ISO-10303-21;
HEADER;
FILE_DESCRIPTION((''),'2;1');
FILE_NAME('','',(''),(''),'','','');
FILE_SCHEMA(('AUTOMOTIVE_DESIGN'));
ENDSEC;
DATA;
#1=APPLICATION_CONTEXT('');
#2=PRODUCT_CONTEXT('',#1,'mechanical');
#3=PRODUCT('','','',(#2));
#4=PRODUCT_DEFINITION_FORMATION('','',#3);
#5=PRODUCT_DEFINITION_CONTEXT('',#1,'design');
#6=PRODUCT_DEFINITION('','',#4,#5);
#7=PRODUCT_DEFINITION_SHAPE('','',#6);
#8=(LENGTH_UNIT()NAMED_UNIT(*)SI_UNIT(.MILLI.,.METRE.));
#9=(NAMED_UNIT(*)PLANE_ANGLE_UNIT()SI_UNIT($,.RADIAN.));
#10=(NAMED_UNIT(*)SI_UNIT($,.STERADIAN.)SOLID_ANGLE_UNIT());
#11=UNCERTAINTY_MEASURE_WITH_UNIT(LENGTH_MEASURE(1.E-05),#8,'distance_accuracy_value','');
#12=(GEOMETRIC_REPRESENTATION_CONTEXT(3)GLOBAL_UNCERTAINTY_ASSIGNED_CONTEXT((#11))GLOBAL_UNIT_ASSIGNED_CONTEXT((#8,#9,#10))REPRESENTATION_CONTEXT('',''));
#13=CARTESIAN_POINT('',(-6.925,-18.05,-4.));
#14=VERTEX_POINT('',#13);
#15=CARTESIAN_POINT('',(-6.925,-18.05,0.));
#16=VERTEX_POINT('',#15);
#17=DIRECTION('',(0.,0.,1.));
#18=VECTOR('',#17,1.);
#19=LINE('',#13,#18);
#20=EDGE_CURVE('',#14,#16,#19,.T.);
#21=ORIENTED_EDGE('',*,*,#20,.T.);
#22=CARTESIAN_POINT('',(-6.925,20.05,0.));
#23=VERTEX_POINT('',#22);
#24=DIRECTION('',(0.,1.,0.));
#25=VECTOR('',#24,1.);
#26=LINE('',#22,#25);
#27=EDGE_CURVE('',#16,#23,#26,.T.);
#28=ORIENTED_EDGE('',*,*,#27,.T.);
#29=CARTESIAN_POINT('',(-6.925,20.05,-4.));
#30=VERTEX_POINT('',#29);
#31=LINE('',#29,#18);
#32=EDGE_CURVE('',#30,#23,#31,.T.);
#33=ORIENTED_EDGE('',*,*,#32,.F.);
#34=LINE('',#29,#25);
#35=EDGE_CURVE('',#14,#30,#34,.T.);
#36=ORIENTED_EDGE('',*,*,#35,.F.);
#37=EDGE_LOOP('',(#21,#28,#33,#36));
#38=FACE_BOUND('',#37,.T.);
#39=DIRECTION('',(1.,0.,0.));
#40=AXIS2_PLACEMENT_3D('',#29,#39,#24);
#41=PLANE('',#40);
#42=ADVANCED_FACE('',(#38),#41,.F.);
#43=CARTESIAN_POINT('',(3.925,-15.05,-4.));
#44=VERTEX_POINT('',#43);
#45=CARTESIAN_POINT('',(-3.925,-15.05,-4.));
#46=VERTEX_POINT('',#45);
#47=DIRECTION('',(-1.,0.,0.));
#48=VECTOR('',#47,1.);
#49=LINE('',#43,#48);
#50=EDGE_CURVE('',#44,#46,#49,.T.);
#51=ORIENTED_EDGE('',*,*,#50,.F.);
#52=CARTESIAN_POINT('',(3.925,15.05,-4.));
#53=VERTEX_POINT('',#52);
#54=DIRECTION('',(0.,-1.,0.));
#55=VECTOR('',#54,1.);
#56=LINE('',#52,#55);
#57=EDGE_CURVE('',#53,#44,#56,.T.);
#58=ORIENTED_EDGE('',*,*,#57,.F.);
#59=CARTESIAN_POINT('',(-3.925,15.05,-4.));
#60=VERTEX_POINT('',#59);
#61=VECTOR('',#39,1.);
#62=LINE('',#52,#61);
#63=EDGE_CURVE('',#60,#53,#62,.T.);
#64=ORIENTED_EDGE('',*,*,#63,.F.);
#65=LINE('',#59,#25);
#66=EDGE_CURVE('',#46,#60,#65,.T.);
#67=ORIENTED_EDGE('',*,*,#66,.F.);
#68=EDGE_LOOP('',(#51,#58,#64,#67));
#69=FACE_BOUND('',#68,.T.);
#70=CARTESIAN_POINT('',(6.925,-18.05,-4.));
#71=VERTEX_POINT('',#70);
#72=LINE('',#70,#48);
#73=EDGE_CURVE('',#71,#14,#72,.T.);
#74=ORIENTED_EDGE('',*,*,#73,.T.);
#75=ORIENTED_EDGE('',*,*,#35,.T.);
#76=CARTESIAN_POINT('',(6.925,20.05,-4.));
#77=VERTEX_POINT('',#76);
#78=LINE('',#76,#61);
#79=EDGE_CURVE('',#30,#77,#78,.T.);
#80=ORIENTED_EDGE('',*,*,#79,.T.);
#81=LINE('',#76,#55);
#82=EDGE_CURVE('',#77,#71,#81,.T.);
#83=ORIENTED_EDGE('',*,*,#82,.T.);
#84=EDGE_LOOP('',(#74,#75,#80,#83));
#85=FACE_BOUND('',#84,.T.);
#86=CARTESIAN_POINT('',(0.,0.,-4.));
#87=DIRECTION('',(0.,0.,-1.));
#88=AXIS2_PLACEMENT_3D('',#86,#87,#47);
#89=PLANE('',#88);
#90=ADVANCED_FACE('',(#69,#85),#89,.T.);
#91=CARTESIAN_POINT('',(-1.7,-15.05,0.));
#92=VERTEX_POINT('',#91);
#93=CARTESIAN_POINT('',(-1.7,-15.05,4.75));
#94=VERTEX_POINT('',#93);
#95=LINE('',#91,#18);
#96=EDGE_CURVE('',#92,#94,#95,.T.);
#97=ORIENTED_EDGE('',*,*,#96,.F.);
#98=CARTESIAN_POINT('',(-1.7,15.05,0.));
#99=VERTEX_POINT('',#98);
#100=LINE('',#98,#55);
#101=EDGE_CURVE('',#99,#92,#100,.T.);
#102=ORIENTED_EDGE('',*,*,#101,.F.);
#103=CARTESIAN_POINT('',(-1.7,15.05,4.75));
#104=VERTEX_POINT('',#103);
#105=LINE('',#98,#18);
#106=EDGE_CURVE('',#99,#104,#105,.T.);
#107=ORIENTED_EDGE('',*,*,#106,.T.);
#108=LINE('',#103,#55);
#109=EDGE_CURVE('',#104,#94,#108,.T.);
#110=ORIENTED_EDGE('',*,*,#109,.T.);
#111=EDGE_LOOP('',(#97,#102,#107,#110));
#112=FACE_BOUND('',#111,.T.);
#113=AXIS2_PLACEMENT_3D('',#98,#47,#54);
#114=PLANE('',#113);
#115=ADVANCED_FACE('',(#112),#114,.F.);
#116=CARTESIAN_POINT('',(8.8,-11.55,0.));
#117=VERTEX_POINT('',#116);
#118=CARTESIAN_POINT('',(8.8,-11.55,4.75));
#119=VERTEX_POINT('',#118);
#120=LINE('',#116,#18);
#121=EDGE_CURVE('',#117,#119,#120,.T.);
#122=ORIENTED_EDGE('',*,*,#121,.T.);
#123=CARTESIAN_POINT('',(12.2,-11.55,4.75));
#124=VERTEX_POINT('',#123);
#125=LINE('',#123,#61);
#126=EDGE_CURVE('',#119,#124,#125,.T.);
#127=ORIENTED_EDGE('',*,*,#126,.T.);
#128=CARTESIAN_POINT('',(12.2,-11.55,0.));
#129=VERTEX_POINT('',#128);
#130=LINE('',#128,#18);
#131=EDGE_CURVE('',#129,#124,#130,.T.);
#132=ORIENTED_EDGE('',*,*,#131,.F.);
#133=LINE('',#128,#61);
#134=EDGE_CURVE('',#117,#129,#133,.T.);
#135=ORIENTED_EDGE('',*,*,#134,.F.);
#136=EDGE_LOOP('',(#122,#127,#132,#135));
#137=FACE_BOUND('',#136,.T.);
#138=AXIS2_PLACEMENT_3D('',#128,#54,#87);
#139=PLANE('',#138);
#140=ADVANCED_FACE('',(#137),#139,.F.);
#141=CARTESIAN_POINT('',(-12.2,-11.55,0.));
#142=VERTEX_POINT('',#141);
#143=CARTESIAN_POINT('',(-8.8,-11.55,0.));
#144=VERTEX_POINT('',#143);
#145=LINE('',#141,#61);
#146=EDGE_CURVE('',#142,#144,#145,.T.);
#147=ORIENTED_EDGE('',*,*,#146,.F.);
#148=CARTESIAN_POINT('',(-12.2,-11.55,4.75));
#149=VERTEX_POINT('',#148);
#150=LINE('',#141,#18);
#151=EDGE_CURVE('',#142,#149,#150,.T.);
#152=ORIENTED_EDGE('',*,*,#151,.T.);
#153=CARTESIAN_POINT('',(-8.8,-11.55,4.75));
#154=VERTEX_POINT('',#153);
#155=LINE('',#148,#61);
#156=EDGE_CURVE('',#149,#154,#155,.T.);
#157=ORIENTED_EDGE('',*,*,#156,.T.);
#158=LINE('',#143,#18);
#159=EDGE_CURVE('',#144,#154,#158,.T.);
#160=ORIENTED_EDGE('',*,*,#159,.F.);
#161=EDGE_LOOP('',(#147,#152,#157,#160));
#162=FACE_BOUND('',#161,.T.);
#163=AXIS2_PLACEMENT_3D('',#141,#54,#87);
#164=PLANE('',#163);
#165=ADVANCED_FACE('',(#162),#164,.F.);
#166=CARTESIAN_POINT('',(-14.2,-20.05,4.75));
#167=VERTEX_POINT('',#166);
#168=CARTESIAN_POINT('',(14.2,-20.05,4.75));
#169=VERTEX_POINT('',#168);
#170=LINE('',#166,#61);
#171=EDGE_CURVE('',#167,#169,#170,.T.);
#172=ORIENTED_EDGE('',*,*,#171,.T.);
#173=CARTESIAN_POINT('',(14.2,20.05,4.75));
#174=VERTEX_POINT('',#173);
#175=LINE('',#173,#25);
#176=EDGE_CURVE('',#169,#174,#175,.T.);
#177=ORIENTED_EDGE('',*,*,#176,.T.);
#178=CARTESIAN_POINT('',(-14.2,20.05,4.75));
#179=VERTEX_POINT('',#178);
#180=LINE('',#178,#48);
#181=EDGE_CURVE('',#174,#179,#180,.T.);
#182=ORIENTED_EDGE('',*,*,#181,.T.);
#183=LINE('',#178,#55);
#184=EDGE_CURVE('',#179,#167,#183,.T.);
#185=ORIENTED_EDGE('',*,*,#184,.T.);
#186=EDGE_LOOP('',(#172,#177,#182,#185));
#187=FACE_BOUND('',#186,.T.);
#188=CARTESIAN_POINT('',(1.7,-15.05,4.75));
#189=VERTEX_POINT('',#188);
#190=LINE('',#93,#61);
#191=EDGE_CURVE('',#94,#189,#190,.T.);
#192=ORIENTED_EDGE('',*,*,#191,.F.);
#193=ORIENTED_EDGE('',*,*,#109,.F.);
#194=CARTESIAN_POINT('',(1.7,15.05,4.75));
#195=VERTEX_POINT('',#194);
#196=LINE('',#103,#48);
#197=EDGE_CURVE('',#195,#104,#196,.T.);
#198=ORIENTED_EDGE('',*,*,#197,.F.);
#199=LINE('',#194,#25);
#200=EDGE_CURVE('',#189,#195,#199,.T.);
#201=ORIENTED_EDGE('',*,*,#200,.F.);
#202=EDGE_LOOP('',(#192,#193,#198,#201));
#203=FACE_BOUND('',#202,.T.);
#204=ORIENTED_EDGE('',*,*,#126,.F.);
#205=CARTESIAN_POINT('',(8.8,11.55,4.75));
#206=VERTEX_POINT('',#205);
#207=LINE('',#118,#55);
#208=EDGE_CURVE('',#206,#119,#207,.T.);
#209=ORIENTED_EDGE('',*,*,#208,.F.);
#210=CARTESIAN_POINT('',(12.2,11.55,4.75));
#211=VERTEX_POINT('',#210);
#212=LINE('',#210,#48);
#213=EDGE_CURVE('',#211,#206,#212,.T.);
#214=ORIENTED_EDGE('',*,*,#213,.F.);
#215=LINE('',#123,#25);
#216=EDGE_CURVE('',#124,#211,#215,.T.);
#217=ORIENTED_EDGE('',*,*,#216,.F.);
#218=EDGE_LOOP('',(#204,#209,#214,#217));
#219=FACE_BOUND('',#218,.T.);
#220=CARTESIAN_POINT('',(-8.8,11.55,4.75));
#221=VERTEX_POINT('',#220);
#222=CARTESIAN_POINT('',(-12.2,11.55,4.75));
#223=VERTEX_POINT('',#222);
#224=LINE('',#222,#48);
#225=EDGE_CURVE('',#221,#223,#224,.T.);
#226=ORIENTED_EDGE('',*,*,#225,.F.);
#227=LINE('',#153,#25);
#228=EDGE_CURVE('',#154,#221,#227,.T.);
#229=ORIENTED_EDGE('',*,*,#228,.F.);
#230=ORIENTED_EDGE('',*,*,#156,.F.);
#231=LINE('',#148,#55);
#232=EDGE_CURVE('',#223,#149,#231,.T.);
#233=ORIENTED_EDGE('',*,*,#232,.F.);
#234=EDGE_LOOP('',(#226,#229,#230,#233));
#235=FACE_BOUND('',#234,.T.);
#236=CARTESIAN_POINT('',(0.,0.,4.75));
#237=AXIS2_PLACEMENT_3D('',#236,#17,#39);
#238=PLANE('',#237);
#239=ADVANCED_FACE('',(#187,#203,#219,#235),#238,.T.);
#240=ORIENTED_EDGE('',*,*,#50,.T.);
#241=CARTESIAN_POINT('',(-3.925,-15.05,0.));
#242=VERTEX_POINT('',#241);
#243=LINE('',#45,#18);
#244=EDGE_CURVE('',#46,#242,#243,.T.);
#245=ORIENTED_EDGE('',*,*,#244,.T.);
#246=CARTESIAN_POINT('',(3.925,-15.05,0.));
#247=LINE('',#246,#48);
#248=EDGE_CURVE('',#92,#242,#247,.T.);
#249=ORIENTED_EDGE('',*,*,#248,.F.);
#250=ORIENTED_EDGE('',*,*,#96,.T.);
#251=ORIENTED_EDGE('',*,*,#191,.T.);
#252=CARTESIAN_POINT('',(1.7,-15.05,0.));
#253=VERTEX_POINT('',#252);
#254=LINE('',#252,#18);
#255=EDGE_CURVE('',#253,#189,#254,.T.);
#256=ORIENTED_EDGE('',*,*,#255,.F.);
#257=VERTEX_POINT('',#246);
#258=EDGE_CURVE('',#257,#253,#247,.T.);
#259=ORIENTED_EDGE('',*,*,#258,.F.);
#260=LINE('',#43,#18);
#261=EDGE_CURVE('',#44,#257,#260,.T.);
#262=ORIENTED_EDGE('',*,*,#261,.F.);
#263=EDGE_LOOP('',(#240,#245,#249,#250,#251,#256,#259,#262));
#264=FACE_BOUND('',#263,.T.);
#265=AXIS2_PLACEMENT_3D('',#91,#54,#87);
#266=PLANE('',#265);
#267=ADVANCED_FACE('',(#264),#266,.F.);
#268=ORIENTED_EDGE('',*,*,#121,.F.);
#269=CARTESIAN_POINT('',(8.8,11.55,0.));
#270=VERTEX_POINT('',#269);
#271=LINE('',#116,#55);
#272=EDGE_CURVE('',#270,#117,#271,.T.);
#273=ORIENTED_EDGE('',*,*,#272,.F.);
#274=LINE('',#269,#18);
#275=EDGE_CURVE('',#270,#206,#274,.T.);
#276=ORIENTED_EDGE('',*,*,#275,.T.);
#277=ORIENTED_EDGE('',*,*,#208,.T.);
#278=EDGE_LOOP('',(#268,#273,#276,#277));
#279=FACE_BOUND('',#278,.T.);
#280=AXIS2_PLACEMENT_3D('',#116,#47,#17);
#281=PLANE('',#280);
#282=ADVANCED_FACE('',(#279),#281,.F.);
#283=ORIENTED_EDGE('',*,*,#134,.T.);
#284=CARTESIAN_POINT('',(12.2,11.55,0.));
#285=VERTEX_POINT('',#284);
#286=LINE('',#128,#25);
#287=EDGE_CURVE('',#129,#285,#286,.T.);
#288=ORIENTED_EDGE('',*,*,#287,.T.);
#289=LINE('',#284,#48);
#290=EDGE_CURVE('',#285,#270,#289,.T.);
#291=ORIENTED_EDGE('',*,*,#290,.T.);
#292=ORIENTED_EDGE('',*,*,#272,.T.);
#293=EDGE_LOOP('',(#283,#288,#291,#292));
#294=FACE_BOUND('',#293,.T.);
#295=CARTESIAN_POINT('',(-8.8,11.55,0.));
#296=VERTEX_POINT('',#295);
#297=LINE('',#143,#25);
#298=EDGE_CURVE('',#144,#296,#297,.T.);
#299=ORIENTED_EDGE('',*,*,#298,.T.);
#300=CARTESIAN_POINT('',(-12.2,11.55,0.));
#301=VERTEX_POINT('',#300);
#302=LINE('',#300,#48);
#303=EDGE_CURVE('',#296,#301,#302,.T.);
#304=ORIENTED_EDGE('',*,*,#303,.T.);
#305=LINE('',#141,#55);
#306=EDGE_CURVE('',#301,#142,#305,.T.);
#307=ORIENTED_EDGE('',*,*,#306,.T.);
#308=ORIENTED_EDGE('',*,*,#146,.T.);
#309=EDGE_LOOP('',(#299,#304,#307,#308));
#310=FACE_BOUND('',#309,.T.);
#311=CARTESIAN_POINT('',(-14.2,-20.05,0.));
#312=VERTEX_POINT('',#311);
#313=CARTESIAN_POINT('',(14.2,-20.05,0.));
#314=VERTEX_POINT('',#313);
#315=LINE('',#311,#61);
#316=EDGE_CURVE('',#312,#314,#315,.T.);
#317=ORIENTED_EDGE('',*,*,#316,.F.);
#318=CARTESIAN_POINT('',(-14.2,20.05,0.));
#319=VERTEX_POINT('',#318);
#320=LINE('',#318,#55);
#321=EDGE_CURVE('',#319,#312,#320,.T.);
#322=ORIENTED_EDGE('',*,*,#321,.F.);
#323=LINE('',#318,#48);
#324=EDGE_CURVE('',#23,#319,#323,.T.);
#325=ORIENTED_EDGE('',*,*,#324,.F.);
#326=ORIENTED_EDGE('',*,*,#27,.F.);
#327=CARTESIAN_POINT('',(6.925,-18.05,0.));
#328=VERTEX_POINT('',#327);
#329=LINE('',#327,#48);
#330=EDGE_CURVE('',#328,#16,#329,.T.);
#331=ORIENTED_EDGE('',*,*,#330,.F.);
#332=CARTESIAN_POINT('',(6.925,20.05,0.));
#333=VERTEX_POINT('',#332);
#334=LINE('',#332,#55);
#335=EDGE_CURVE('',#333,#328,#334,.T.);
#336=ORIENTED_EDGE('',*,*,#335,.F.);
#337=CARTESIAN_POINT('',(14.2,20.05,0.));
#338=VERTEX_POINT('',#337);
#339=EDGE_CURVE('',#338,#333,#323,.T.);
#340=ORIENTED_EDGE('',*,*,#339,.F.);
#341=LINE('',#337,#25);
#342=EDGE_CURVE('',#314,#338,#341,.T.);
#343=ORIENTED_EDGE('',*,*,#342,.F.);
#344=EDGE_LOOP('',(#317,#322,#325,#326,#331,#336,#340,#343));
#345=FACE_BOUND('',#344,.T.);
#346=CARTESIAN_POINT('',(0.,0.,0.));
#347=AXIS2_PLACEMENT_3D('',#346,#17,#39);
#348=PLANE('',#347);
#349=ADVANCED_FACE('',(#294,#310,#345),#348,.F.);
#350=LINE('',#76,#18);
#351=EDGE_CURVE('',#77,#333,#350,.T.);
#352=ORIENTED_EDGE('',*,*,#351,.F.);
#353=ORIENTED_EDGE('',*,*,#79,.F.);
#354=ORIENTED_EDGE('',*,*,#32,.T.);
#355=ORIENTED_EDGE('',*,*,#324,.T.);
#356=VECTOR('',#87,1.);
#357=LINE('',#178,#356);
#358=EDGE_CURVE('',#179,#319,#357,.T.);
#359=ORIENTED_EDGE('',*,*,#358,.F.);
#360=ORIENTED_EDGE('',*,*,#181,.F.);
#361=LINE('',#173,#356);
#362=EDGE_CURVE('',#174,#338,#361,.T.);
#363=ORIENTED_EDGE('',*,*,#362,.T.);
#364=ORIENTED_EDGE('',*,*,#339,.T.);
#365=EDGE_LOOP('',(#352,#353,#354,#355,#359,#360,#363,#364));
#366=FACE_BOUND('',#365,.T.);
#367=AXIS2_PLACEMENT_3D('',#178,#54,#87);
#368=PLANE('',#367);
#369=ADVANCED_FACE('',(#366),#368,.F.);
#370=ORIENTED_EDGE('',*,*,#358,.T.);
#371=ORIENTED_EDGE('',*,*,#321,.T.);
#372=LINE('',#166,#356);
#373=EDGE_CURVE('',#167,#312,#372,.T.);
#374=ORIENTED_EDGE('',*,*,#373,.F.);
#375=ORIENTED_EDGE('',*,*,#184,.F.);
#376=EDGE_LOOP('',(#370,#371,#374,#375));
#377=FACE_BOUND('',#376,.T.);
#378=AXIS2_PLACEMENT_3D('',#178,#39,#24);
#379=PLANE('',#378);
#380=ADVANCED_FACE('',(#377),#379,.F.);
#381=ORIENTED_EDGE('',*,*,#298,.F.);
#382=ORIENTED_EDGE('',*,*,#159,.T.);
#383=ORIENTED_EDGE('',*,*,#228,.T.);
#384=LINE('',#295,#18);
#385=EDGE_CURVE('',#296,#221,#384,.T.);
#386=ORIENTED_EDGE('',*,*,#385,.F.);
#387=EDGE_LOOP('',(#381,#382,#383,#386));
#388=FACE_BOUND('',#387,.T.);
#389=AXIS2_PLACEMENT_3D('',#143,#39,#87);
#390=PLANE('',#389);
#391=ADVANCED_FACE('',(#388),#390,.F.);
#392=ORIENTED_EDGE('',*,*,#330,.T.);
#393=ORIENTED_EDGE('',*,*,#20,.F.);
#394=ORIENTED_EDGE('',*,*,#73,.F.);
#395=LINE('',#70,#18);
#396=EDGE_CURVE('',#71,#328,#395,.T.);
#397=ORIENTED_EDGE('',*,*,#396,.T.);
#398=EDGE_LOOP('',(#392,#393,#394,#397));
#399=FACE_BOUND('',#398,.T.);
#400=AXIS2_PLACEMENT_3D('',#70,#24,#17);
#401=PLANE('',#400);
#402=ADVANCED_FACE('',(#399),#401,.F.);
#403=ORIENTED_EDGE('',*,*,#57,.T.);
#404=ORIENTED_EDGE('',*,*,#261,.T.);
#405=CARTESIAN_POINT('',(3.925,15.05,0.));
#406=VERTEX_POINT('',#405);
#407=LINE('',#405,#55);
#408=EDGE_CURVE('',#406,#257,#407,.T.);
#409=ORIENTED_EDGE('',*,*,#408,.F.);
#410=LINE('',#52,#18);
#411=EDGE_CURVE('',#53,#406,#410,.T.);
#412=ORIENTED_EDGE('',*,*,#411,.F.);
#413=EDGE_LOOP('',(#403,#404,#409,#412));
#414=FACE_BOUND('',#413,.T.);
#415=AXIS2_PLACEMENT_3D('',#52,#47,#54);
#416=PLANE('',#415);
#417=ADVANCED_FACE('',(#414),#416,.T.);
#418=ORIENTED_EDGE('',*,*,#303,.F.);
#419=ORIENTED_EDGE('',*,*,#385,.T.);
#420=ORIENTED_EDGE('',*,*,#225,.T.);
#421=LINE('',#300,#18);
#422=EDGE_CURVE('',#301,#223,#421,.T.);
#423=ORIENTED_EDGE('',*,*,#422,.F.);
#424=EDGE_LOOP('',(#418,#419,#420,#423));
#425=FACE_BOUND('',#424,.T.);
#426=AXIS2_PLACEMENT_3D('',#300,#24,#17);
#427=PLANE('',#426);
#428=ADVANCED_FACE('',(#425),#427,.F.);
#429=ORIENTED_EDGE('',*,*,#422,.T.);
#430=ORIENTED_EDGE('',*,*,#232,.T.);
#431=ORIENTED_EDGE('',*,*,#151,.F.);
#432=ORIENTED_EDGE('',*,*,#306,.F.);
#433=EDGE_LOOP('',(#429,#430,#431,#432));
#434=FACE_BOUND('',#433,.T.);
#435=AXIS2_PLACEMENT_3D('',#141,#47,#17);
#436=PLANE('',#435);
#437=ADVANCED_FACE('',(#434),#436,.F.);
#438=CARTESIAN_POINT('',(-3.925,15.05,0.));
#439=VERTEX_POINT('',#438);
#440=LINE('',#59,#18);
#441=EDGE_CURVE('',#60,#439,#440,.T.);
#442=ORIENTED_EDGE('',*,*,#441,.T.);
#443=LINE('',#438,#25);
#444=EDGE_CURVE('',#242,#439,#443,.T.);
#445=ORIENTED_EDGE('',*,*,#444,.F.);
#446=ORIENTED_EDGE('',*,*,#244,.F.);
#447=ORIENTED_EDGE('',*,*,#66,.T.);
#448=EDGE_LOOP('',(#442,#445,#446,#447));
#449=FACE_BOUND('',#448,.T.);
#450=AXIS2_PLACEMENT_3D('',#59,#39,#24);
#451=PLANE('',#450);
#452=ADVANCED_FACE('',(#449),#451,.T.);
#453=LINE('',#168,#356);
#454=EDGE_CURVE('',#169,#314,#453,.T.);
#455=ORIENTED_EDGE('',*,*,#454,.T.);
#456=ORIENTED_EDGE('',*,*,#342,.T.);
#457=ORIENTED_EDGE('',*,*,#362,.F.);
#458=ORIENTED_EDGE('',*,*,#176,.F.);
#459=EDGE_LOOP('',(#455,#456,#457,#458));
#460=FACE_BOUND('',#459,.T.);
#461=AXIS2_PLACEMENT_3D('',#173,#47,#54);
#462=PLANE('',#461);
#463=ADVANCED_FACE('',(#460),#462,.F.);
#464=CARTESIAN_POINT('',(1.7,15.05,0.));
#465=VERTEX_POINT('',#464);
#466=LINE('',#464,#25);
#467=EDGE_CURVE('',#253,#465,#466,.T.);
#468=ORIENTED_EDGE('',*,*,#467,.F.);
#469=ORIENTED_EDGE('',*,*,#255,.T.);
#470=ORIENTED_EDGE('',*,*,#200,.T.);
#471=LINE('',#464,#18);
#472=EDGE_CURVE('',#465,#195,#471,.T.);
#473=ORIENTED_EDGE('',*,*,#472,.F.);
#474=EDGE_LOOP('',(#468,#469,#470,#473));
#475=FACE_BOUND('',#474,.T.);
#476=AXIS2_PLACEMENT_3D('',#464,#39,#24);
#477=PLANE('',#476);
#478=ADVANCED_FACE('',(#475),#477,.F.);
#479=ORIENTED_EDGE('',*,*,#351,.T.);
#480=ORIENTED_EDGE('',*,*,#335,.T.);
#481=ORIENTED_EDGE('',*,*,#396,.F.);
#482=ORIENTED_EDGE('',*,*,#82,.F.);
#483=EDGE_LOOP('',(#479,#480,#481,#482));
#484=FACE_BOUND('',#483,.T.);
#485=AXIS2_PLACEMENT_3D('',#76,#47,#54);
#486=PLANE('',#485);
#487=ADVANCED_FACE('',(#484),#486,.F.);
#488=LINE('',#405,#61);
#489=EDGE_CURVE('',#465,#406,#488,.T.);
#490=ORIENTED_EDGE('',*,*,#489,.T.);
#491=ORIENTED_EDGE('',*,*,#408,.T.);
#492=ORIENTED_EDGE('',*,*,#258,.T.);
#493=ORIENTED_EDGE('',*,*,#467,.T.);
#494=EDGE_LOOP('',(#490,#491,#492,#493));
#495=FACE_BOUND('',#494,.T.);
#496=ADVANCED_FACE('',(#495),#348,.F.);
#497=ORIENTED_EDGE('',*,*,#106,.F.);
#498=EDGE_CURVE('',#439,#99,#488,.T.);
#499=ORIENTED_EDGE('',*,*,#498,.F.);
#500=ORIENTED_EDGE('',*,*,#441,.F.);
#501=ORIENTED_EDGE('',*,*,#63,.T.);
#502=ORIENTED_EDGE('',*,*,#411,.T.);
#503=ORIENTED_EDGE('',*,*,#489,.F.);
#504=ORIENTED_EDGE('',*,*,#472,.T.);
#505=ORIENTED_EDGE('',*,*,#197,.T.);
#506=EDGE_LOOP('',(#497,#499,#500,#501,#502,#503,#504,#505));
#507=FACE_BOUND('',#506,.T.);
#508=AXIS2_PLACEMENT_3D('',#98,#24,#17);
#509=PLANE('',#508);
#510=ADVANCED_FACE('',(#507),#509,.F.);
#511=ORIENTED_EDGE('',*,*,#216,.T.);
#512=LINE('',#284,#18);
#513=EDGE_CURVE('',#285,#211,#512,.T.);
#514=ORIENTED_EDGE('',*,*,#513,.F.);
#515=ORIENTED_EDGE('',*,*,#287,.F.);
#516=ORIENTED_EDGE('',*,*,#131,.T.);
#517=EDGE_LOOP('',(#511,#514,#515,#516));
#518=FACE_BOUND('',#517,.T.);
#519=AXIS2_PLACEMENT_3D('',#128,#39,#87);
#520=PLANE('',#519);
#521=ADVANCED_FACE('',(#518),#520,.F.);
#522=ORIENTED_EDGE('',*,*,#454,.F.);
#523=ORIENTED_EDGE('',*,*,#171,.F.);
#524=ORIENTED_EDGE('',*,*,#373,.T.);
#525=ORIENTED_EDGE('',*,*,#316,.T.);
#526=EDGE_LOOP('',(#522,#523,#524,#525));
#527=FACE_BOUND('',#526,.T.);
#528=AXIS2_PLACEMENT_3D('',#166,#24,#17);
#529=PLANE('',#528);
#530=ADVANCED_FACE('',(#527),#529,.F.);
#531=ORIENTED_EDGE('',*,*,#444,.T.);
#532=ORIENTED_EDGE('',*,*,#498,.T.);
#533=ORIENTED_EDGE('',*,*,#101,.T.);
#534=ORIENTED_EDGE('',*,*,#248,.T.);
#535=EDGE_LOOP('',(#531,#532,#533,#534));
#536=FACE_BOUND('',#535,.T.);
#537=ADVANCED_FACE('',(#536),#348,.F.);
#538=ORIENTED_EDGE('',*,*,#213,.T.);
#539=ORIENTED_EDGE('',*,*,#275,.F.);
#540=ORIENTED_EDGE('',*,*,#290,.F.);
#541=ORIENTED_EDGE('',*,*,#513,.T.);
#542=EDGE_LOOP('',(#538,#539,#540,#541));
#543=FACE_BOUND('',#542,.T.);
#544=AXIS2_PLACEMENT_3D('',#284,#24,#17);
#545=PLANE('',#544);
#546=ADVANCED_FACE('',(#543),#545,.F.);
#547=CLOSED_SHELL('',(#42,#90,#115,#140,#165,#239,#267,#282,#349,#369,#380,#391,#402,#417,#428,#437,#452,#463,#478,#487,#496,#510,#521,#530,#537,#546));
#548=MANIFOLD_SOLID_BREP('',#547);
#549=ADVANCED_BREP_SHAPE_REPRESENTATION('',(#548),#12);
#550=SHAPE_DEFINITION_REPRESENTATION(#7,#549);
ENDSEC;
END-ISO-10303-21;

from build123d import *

# Parameters (mm, degrees)
SKETCH1_W           = 28.4
SKETCH1_H           = 40.1
BOSS_EXTRUDE1_DEPTH = 4.75
SKETCH2_W           = 3.4
SKETCH2_H           = 23.1
SKETCH2_H_2         = 30.1
CUT_EXTRUDE1_DEPTH  = 26.024088395
SKETCH4_W           = 13.85
SKETCH4_H           = 38.1
SKETCH4_W_2         = 7.85
SKETCH4_H_2         = 30.1
BOSS_EXTRUDE2_DEPTH = 4


with BuildPart() as part:
    # Sketch1 → Boss-Extrude1 (new body)
    with BuildSketch(Plane.XY):
        Rectangle(SKETCH1_W, SKETCH1_H)
    extrude(amount=BOSS_EXTRUDE1_DEPTH)

    # Sketch2 → Cut-Extrude1 (cut, through all)
    with BuildSketch(Plane.XY.offset(4.75)):
        with Locations((10.5, 0)):
            Rectangle(SKETCH2_W, SKETCH2_H)
        with Locations((-10.5, 0)):
            Rectangle(SKETCH2_W, SKETCH2_H)
        Rectangle(SKETCH2_W, SKETCH2_H_2)
    extrude(amount=-CUT_EXTRUDE1_DEPTH, mode=Mode.SUBTRACT)

    # Sketch4 → Boss-Extrude2 (add)
    with BuildSketch(Plane(origin=(0, 0, 0), x_dir=(-1, 0, 0), z_dir=(0, 0, -1))):
        with Locations((0, 1)):
            Rectangle(SKETCH4_W, SKETCH4_H)
        Rectangle(SKETCH4_W_2, SKETCH4_H_2, mode=Mode.SUBTRACT)
    extrude(amount=BOSS_EXTRUDE2_DEPTH)


solid = part.part
